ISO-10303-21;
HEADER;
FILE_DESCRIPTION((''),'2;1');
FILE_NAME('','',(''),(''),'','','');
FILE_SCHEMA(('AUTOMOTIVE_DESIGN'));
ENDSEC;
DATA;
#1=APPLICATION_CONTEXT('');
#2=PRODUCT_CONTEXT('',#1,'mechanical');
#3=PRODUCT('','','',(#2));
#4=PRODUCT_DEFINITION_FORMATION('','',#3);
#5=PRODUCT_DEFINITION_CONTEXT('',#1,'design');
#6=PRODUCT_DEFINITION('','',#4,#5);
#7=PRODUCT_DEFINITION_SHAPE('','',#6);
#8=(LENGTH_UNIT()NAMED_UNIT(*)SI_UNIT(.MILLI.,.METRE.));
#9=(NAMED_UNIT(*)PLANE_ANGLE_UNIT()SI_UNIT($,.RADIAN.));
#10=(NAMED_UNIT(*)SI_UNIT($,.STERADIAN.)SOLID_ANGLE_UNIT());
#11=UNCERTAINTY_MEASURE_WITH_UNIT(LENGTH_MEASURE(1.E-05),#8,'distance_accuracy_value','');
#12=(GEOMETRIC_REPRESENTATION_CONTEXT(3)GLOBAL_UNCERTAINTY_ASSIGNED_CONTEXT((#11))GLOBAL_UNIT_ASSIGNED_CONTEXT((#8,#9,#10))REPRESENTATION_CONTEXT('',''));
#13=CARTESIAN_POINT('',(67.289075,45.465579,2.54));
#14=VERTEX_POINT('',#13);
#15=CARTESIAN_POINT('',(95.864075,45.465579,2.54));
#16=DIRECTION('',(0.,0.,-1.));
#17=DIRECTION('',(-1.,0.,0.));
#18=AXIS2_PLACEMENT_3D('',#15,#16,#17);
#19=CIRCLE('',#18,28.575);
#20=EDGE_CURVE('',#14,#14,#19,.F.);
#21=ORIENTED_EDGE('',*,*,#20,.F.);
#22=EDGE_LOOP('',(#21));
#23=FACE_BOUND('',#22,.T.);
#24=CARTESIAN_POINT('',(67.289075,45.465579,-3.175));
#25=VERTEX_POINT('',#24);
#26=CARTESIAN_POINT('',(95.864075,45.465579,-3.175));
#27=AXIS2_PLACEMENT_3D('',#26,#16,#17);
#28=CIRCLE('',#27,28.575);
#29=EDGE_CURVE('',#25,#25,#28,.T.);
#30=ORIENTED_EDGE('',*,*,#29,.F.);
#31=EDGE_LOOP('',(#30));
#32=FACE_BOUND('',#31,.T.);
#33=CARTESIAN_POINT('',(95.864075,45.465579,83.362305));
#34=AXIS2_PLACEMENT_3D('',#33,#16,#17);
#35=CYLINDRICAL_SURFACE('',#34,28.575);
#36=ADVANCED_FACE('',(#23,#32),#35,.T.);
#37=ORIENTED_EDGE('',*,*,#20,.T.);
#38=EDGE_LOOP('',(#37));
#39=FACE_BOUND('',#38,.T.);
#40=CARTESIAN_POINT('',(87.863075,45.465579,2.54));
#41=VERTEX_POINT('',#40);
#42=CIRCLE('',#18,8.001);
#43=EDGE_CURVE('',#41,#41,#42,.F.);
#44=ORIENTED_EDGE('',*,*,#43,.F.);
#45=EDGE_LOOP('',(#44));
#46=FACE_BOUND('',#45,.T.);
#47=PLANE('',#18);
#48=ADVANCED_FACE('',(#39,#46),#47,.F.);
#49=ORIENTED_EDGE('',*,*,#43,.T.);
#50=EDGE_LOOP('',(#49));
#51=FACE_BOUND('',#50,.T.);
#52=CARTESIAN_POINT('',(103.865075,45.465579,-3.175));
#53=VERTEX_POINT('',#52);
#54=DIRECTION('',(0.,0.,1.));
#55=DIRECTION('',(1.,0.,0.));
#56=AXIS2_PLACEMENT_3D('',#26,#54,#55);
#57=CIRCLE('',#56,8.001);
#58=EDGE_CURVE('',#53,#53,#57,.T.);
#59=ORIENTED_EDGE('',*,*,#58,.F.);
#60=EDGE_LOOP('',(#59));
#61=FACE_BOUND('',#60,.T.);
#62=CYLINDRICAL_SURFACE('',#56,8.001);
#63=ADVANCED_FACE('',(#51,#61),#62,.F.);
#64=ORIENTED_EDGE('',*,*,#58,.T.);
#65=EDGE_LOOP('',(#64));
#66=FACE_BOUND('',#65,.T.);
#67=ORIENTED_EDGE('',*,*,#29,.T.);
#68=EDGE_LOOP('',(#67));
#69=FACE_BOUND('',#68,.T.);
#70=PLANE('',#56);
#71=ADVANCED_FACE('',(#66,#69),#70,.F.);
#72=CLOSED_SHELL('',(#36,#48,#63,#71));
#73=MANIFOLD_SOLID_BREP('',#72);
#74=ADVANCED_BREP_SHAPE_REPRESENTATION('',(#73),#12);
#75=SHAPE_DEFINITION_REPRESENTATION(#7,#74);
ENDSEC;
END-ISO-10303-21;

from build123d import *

# Parameters (mm, degrees)
SKETCH1_R               = 19.05
SKETCH1_R_2             = 8.001
BOSS_EXTRUDE1_DEPTH     = 3.175
SKETCH2_R               = 19.05
BOSS_EXTRUDE2_DEPTH     = 4.7625
F_3_8_CLEARANCE_HOLE1_D = 10.31748
SKETCH6_R               = 8.001
CUT_EXTRUDE1_DEPTH      = 2.54
SKETCH7_R               = 19.05
CUT_EXTRUDE2_DEPTH      = 2.2225
SKETCH8_R               = 28.575
SKETCH8_R_2             = 19.05
BOSS_EXTRUDE3_DEPTH     = 5.715


with BuildPart() as part:
    # Sketch1 → Boss-Extrude1 (new body)
    with BuildSketch(Plane.XY):
        with Locations((95.864074702, 45.465579041)):
            Circle(SKETCH1_R)
        with Locations((95.864074702, 45.465579041)):
            Circle(SKETCH1_R_2, mode=Mode.SUBTRACT)
    extrude(amount=-BOSS_EXTRUDE1_DEPTH)

    # Sketch2 → Boss-Extrude2 (add)
    with BuildSketch(Plane.XY):
        with Locations((95.864074702, 45.465579041)):
            Circle(SKETCH2_R)
    extrude(amount=BOSS_EXTRUDE2_DEPTH)

    # 3/8 Clearance Hole1 (through all)
    with Locations(Plane.XY.offset(4.7625)):
        with Locations((95.864074702, 45.465579041)):
            Hole(F_3_8_CLEARANCE_HOLE1_D / 2)

    # Sketch6 → Cut-Extrude1 (cut)
    with BuildSketch(Plane(origin=(0, 0, 0), x_dir=(-1, 0, 0), z_dir=(0, 0, -1))):
        with Locations((-95.864074702, 45.465579041)):
            Circle(SKETCH6_R)
    extrude(amount=-CUT_EXTRUDE1_DEPTH, mode=Mode.SUBTRACT)

    # Sketch7 → Cut-Extrude2 (cut)
    with BuildSketch(Plane.XY.offset(4.7625)):
        with Locations((95.864074702, 45.465579041)):
            Circle(SKETCH7_R)
    extrude(amount=-CUT_EXTRUDE2_DEPTH, mode=Mode.SUBTRACT)

    # Sketch8 → Boss-Extrude3 (add)
    with BuildSketch(Plane(origin=(0, 0, -3.175), x_dir=(-1, 0, 0), z_dir=(0, 0, -1))):
        with Locations((-95.864074702, 45.465579041)):
            Circle(SKETCH8_R)
        with Locations((-95.864074702, 45.465579041)):
            Circle(SKETCH8_R_2, mode=Mode.SUBTRACT)
    extrude(amount=-BOSS_EXTRUDE3_DEPTH)


solid = part.part
